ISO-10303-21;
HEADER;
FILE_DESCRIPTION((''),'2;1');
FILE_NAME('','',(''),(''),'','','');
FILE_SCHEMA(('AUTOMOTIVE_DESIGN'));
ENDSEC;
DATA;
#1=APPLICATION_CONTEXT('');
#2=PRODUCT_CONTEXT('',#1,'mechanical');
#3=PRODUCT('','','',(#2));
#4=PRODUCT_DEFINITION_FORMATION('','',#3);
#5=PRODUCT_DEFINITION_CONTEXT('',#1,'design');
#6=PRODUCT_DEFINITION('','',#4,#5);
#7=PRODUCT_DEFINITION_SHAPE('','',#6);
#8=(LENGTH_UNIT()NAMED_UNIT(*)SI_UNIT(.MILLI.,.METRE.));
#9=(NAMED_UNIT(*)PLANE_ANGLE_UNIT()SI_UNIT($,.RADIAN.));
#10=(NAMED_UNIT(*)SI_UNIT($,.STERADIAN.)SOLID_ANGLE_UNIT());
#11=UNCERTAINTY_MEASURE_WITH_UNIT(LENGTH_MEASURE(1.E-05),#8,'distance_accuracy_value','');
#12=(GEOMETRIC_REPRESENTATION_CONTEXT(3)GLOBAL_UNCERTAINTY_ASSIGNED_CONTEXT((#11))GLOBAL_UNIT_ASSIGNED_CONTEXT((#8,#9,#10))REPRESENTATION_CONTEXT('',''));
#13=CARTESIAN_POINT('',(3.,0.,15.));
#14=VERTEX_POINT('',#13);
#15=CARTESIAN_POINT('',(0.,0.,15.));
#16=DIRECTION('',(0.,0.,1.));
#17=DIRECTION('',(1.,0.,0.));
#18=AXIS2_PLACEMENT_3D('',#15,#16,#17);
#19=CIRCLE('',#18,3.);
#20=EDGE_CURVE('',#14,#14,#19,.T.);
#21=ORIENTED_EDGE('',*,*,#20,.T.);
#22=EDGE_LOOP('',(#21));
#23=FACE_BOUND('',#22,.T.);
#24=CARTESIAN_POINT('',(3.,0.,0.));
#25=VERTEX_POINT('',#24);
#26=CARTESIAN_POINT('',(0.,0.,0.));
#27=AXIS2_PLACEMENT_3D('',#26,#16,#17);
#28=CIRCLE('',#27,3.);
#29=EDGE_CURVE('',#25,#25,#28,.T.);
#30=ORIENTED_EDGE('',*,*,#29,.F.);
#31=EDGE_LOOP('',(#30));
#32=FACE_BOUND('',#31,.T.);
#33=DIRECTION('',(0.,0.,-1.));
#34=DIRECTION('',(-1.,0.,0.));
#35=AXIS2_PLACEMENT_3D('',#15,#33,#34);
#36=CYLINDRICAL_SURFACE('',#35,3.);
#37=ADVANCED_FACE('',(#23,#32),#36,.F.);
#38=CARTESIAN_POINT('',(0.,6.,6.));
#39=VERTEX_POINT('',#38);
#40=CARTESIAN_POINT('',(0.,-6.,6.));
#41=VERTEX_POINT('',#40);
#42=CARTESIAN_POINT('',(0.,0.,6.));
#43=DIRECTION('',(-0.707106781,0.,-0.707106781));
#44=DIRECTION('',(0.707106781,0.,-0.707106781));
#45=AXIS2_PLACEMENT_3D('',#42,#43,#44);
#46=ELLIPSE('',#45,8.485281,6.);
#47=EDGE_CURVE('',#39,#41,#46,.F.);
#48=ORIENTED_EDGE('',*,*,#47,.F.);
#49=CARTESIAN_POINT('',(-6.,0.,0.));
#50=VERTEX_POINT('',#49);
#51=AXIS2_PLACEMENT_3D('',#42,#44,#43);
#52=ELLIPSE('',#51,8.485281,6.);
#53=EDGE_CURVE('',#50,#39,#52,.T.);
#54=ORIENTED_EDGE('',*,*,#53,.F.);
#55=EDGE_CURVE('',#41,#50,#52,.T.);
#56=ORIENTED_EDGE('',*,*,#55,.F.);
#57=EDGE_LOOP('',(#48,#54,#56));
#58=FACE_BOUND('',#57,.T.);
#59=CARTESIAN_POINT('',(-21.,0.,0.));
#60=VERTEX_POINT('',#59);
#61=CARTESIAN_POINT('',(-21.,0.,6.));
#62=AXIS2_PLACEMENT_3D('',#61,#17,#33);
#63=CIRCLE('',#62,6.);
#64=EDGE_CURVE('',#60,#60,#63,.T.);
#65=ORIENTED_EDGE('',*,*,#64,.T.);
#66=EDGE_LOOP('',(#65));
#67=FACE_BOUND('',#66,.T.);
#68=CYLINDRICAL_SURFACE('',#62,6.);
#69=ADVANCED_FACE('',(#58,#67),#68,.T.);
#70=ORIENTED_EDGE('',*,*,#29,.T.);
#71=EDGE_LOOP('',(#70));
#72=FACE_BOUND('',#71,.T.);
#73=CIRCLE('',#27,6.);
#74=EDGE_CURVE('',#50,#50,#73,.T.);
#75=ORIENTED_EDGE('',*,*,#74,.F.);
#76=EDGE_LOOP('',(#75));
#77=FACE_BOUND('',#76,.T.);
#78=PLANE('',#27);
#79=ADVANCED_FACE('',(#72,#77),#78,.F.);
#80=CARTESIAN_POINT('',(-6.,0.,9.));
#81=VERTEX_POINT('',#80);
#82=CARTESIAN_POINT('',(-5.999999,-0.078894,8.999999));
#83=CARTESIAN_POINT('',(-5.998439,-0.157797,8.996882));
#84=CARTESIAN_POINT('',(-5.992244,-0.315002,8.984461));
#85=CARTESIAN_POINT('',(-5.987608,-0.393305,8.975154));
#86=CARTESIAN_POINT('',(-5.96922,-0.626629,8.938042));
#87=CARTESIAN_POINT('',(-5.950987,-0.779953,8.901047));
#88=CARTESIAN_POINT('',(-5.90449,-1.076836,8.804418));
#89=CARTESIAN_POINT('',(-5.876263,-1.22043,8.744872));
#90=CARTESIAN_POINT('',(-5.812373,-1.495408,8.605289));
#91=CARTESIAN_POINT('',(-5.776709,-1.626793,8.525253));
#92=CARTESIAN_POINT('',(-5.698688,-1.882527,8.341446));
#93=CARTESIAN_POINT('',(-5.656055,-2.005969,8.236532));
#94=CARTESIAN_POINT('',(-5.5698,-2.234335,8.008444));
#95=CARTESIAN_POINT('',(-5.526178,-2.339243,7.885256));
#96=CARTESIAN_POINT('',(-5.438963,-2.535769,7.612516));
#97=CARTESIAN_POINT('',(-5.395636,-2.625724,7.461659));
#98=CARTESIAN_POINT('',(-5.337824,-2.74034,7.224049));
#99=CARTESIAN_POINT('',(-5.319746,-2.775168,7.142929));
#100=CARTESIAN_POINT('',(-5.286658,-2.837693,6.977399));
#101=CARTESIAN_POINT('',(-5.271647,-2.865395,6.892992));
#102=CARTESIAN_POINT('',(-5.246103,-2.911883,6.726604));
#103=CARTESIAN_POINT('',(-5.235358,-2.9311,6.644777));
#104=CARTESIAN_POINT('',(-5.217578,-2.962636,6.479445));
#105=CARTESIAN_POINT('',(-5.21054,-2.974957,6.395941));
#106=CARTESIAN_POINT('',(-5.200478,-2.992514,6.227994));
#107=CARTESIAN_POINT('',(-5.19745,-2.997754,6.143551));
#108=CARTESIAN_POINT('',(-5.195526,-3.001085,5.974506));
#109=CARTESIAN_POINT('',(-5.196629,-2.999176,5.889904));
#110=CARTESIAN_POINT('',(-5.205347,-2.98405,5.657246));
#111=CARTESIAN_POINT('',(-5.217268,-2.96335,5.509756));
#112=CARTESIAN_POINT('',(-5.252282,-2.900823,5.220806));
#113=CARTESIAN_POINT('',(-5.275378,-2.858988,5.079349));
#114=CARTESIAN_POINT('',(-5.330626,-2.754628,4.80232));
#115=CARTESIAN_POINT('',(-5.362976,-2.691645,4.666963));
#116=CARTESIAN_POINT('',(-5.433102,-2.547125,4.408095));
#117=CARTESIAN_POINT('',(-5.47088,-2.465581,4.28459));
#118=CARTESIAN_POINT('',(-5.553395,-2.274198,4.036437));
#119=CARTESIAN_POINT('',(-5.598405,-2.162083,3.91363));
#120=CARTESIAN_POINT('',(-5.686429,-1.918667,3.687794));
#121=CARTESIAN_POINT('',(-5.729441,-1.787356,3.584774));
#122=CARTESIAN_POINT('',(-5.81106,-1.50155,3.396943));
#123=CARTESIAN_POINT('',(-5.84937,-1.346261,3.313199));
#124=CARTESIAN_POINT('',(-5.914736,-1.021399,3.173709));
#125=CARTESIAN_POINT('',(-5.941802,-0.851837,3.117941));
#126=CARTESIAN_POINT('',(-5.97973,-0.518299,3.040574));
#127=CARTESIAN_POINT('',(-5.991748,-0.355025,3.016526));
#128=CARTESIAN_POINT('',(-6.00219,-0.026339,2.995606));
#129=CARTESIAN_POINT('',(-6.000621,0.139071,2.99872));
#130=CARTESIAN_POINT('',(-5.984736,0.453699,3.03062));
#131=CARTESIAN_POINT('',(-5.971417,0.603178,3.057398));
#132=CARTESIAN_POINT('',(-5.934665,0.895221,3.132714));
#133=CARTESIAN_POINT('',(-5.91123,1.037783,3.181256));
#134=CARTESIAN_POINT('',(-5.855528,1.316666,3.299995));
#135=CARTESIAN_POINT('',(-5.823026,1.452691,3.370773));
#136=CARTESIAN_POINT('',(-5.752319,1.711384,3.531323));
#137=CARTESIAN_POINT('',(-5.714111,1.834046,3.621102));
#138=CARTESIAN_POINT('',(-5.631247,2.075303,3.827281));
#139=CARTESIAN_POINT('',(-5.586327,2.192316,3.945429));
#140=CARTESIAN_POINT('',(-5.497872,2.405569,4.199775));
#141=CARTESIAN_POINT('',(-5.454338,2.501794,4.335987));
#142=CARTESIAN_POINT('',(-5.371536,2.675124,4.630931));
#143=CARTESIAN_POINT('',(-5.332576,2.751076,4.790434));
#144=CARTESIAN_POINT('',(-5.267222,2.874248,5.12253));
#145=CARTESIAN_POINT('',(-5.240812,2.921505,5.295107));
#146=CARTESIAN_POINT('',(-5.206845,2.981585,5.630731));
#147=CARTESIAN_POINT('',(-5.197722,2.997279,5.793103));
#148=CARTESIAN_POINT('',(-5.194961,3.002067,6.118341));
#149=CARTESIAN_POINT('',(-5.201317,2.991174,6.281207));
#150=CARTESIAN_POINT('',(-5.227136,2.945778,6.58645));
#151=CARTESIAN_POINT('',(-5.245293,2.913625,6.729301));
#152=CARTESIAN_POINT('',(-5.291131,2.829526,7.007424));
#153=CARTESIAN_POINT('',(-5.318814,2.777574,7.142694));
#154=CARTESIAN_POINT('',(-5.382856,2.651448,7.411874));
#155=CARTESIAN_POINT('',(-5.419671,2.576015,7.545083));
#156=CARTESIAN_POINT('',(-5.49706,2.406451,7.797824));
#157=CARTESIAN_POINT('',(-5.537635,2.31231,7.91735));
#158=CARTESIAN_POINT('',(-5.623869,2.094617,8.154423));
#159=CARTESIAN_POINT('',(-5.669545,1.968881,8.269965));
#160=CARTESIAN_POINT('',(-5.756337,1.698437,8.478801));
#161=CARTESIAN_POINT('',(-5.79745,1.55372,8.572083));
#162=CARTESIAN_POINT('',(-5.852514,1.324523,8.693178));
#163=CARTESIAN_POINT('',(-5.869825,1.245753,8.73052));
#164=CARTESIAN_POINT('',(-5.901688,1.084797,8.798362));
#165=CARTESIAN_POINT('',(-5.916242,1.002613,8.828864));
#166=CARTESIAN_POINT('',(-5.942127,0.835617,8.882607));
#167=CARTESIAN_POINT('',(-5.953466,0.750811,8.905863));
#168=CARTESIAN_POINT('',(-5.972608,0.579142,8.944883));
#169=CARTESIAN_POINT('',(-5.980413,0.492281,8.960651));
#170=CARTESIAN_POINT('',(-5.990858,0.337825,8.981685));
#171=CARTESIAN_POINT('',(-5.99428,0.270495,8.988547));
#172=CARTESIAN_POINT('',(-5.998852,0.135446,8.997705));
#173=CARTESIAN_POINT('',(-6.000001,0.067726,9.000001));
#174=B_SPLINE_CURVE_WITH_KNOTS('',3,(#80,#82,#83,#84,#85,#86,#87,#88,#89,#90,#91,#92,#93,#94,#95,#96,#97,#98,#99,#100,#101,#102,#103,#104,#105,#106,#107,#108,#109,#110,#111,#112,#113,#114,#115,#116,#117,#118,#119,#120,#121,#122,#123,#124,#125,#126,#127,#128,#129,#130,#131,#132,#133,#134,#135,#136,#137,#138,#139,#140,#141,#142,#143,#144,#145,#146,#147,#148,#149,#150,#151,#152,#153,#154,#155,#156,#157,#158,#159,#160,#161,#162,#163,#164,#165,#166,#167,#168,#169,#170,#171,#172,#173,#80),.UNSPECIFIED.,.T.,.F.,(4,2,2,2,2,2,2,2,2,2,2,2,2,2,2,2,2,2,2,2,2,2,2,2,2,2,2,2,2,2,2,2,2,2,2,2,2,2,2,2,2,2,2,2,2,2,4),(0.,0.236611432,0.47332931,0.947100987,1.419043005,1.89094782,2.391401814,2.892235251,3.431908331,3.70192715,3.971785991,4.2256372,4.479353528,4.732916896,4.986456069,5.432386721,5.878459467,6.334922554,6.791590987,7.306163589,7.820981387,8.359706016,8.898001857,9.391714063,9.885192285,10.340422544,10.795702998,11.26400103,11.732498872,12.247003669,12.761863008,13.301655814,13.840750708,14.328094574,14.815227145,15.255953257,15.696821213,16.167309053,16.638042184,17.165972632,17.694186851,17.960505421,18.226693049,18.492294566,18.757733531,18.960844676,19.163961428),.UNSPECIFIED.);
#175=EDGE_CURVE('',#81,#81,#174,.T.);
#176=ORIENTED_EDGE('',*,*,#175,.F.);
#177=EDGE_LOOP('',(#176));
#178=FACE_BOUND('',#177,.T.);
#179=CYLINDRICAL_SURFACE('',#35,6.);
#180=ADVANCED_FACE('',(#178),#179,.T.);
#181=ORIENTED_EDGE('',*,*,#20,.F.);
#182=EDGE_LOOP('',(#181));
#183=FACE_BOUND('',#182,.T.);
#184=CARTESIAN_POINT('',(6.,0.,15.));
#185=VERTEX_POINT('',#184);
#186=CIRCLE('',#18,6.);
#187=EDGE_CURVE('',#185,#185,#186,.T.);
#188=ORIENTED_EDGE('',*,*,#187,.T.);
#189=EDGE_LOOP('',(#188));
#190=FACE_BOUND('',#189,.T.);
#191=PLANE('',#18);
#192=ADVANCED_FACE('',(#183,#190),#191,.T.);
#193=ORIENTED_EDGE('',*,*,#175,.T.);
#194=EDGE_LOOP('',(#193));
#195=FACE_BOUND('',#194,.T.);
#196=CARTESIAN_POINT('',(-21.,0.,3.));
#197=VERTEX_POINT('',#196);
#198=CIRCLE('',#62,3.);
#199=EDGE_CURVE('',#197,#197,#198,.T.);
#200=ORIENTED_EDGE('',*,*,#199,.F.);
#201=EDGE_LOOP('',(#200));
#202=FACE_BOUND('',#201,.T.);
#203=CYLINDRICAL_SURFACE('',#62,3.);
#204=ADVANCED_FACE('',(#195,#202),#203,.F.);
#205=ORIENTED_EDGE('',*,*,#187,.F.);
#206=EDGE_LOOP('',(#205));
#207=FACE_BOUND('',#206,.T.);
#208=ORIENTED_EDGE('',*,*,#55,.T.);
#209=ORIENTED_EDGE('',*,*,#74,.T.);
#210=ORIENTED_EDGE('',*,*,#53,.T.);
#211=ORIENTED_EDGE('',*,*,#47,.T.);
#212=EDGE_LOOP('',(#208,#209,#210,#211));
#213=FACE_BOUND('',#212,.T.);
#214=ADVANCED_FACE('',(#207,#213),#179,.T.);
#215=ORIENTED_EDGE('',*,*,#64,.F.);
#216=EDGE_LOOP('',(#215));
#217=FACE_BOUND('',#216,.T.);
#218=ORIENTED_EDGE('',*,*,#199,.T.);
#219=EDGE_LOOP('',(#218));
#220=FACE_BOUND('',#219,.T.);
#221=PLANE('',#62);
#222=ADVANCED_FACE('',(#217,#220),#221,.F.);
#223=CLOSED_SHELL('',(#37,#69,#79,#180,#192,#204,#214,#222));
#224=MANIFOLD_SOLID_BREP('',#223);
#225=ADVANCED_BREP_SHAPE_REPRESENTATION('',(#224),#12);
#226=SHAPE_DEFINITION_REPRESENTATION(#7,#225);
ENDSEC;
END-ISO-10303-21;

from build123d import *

# Parameters (mm, degrees)
SKETCH1_R           = 6
SKETCH1_R_2         = 3
BOSS_EXTRUDE1_DEPTH = 15
SKETCH2_R           = 6
SKETCH2_R_2         = 3
BOSS_EXTRUDE2_DEPTH = 21
SKETCH3_R           = 3
CUT_EXTRUDE1_DEPTH  = 16.0000001


with BuildPart() as part:
    # Sketch1 → Boss-Extrude1 (new body)
    with BuildSketch(Plane.XY):
        Circle(SKETCH1_R)
        Circle(SKETCH1_R_2, mode=Mode.SUBTRACT)
    extrude(amount=BOSS_EXTRUDE1_DEPTH)

    # Sketch2 → Boss-Extrude2 (add)
    with BuildSketch(Plane(origin=(0, 0, 0), x_dir=(0, 0, -1), z_dir=(1, 0, 0))):
        with Locations((-6, 0)):
            Circle(SKETCH2_R)
        with Locations((-6, 0)):
            Circle(SKETCH2_R_2, mode=Mode.SUBTRACT)
    extrude(amount=-BOSS_EXTRUDE2_DEPTH)

    # Sketch3 → Cut-Extrude1 (cut, through all)
    with BuildSketch(Plane(origin=(0, 0, 0), x_dir=(-1, 0, 0), z_dir=(0, 0, -1))):
        Circle(SKETCH3_R)
    extrude(amount=-CUT_EXTRUDE1_DEPTH, mode=Mode.SUBTRACT)


solid = part.part
